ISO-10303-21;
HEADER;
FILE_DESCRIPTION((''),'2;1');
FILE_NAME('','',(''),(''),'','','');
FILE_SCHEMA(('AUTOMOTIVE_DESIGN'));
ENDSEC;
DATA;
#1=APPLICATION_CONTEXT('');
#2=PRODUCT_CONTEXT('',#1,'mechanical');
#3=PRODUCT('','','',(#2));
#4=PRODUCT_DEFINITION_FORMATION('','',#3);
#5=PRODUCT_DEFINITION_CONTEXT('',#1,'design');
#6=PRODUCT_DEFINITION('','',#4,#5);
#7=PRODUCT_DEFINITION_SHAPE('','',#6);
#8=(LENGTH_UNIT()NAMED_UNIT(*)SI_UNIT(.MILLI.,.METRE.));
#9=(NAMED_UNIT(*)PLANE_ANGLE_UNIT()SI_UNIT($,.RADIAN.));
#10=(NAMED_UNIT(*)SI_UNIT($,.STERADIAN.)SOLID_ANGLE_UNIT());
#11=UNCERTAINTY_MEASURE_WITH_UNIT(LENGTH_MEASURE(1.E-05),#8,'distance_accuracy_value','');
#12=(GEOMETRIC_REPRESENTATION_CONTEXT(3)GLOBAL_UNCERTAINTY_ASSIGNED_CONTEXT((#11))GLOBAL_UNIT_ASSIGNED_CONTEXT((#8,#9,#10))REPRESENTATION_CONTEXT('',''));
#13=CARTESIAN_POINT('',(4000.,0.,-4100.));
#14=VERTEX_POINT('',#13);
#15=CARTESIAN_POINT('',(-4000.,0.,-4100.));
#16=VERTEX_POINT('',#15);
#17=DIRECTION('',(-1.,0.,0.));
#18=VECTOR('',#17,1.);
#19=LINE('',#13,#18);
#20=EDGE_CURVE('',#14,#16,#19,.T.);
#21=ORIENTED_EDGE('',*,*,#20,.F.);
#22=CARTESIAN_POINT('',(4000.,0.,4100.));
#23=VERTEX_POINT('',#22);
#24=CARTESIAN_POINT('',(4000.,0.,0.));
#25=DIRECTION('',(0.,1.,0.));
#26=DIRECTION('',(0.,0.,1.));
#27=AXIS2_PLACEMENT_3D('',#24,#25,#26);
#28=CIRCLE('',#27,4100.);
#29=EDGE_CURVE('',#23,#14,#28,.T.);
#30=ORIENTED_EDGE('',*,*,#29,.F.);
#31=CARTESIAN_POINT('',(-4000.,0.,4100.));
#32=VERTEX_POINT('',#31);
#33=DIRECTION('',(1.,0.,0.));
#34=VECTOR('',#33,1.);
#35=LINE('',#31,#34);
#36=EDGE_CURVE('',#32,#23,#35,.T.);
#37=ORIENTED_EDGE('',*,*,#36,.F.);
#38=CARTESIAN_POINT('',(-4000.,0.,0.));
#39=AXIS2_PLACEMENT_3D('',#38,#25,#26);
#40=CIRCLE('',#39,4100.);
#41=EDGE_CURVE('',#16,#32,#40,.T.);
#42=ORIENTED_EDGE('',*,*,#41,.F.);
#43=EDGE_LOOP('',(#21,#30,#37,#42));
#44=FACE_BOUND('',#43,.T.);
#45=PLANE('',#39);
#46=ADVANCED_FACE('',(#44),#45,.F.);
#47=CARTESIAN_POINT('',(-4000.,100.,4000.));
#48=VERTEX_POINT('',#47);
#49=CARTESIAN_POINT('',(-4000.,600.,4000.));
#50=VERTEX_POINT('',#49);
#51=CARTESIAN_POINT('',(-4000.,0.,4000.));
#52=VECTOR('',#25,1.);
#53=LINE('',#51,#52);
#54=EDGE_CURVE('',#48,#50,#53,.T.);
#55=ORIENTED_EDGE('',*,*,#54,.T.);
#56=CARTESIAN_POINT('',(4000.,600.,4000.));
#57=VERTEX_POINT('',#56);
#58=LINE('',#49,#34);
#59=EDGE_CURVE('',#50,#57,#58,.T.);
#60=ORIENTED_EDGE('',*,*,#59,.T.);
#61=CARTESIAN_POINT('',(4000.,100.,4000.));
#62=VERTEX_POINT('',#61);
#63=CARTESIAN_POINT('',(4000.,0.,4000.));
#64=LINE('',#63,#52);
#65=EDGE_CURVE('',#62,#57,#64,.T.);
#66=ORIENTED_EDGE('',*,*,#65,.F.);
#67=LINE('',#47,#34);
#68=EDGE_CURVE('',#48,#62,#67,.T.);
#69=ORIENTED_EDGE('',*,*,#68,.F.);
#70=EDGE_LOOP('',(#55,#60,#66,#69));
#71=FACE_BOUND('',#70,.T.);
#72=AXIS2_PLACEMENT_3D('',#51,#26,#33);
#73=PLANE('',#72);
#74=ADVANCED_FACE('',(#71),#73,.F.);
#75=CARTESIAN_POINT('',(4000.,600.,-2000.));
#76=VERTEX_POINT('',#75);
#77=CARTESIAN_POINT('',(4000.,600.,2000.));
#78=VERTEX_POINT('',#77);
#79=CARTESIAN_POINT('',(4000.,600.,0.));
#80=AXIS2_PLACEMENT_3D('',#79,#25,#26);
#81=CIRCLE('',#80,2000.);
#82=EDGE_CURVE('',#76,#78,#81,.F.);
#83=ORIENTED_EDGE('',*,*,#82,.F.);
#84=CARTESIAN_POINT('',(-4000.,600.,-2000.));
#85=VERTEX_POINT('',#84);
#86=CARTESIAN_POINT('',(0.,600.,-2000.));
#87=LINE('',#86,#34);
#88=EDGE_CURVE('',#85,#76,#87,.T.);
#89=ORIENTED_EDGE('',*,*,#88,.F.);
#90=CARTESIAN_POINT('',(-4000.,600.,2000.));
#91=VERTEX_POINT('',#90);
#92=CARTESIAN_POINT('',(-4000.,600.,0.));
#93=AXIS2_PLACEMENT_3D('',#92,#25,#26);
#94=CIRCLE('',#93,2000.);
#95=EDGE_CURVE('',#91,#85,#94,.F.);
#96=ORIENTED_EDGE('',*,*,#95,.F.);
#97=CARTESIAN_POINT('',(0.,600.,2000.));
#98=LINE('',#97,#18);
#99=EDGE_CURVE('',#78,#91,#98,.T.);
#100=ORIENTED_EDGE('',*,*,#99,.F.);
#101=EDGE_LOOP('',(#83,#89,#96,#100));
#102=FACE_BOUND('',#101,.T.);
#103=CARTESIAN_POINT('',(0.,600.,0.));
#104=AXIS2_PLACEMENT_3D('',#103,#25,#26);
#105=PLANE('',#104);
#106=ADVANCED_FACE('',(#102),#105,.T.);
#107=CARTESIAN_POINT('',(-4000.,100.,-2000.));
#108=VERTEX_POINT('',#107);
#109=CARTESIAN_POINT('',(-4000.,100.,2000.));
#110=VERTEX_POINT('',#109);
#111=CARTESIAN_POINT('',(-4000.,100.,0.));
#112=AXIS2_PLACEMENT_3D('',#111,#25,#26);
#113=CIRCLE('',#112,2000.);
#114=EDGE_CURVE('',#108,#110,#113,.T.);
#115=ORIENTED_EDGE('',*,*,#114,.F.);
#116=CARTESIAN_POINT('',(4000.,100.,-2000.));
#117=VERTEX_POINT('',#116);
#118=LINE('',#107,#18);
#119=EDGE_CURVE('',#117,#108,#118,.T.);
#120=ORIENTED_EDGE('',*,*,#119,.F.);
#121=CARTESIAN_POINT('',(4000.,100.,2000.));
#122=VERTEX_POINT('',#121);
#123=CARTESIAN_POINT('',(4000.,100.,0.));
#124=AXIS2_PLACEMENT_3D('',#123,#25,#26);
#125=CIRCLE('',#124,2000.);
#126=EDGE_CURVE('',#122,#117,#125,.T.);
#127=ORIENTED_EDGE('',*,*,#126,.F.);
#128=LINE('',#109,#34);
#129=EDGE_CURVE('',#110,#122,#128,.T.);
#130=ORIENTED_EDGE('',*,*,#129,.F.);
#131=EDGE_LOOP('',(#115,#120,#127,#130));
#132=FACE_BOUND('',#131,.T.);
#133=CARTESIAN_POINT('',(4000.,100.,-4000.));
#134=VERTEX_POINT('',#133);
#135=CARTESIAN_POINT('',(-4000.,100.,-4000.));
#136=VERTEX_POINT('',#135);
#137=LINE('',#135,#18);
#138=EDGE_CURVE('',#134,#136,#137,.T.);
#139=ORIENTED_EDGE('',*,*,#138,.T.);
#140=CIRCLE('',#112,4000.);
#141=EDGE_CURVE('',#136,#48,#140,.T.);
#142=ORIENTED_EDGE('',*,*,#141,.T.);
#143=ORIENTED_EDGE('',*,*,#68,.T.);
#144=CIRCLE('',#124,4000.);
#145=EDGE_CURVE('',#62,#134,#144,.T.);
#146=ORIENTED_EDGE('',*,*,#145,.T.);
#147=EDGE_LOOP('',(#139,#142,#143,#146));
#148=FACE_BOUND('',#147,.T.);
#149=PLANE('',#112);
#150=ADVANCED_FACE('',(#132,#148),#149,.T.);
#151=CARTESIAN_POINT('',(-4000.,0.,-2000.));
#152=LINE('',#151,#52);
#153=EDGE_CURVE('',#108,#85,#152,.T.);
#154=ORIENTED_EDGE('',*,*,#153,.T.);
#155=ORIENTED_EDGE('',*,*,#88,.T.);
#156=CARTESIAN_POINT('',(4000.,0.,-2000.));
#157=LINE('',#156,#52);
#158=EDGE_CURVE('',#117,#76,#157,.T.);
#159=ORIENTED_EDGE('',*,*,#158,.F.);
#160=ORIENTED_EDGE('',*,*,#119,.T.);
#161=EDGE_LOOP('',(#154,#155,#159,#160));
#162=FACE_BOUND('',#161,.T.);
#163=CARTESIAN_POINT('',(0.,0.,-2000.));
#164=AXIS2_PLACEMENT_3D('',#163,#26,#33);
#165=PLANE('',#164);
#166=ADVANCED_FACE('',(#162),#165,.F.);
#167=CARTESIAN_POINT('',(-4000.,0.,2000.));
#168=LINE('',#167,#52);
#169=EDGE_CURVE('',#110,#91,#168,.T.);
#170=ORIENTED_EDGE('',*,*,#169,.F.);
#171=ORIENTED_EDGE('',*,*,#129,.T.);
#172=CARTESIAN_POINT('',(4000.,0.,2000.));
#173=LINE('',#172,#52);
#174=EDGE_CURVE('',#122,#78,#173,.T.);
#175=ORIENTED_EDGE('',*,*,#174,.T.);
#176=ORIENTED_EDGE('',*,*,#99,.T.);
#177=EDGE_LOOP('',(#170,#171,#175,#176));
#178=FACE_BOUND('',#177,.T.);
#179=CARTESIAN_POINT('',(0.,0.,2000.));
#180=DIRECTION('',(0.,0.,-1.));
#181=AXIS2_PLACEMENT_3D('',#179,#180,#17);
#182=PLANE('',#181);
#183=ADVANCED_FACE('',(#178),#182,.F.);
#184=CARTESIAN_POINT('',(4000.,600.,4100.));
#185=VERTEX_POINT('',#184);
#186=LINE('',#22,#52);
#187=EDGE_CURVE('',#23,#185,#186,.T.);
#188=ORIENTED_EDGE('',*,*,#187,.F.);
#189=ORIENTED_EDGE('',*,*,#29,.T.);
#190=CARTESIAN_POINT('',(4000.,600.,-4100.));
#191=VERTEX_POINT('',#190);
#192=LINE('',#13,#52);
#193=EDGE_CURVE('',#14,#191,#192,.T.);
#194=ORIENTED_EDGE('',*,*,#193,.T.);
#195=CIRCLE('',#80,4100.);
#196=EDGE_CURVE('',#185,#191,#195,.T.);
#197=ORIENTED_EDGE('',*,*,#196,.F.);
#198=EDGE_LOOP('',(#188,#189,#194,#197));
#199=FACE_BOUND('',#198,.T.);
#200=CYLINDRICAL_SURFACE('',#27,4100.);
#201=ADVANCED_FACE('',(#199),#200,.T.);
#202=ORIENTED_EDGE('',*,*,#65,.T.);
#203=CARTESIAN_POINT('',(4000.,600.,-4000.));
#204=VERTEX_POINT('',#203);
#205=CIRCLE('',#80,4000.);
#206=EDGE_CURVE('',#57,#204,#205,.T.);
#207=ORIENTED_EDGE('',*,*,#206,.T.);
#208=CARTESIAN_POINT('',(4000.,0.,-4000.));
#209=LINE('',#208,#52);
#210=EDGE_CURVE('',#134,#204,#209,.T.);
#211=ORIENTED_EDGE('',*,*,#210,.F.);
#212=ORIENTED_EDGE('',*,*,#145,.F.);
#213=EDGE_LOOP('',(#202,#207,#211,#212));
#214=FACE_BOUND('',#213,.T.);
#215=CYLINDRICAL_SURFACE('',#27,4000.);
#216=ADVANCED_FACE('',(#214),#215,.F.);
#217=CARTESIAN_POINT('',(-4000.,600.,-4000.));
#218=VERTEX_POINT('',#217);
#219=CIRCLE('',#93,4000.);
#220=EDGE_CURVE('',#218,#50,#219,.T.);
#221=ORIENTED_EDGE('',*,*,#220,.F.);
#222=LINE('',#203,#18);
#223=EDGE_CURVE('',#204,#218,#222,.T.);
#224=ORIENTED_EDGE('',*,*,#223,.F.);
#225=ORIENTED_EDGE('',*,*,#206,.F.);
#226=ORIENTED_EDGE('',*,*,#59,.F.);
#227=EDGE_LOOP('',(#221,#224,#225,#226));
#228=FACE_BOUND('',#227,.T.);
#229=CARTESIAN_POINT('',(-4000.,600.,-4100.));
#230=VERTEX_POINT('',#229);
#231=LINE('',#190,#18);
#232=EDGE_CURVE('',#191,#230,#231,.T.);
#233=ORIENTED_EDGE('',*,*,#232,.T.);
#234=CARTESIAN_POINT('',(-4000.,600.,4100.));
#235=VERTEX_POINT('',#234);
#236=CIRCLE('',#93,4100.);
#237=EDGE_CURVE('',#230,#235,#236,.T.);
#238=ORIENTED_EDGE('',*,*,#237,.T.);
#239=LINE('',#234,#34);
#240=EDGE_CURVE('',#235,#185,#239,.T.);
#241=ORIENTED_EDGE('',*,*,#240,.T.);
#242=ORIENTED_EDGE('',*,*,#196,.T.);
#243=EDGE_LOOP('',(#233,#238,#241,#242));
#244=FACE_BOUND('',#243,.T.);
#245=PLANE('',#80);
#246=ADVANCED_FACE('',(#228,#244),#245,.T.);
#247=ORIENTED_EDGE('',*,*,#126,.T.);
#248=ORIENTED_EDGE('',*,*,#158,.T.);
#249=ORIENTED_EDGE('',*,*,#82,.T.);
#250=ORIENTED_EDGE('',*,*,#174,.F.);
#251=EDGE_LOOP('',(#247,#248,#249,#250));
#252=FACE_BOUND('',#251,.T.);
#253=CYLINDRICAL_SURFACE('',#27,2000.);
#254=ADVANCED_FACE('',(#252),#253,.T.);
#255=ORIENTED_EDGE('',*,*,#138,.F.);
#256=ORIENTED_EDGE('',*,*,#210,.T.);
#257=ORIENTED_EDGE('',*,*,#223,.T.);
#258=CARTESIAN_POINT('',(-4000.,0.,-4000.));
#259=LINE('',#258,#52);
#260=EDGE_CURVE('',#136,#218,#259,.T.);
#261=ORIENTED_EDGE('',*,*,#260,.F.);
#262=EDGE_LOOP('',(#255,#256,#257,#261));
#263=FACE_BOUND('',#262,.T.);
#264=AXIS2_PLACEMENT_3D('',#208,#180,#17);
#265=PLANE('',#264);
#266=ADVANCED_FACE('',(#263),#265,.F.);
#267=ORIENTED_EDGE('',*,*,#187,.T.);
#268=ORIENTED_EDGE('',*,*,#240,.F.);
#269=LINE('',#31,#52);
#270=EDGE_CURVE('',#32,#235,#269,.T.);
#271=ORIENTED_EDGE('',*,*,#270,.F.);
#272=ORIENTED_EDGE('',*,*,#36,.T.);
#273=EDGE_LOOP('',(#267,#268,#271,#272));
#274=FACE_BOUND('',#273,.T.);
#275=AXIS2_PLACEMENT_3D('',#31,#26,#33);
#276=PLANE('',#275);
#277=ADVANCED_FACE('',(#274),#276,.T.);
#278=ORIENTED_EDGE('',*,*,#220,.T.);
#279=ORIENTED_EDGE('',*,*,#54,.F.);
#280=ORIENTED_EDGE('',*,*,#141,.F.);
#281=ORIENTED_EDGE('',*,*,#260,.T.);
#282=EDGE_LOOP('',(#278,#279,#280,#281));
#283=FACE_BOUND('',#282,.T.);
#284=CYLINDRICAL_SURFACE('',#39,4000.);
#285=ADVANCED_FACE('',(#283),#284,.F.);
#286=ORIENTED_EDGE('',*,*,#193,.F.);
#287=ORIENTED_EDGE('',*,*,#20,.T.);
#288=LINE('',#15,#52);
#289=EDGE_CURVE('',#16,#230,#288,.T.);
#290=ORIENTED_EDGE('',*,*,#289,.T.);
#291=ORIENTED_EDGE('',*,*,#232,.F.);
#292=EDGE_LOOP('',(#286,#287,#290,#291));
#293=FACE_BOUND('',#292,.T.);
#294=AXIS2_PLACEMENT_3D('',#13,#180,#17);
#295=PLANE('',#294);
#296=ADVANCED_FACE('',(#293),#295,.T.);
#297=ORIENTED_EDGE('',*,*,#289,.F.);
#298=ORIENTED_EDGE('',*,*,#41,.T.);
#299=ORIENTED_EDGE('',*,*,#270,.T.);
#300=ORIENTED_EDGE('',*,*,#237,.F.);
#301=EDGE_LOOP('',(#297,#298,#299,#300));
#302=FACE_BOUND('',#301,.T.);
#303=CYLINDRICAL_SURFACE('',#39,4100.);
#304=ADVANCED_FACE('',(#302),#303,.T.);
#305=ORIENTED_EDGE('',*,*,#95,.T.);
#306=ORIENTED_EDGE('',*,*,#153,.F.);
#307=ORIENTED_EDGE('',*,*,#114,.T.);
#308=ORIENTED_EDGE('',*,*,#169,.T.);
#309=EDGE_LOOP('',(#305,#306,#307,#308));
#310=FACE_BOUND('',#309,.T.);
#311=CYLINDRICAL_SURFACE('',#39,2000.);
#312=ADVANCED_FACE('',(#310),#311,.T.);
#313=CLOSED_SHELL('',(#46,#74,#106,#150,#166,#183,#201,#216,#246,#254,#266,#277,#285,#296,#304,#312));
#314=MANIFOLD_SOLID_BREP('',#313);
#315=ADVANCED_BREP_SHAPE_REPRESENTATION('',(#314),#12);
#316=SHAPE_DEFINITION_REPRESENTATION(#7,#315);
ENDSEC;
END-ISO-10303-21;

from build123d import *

# Parameters (mm, degrees)
BOSS_EXTRUDE1_DEPTH      = 100
BOSS_EXTRUDE2_DEPTH      = 500
BOSS_EXTRUDE2_DEPTH_BACK = 100
BOSS_EXTRUDE3_DEPTH      = 500
BOSS_EXTRUDE3_DEPTH_BACK = 100


with BuildPart() as part:
    # Sketch1 → Boss-Extrude1 (new body)
    with BuildSketch(Plane(origin=(0, 0, 0), x_dir=(1, 0, 0), z_dir=(0, 1, 0))):
        with BuildLine():
            Line((-4000, -4000), (4000, -4000))
            ThreePointArc((4000, -4000), (8000, 0), (4000, 4000))
            Line((4000, 4000), (-4000, 4000))
            ThreePointArc((-4000, 4000), (-8000, 0), (-4000, -4000))
        make_face()
        with BuildLine():
            Line((-4000, 2000), (4000, 2000))
            ThreePointArc((4000, 2000), (6000, 0), (4000, -2000))
            Line((4000, -2000), (-4000, -2000))
            ThreePointArc((-4000, -2000), (-6000, 0), (-4000, 2000))
        make_face(mode=Mode.SUBTRACT)
    extrude(amount=BOSS_EXTRUDE1_DEPTH)

    # Sketch2 → Boss-Extrude2 (add, two sides: drawn at the far end of the back side and taken through both)
    with BuildSketch(Plane(origin=(0, 100, 0), x_dir=(1, 0, 0), z_dir=(0, 1, 0)).offset(-BOSS_EXTRUDE2_DEPTH_BACK)):
        with BuildLine():
            Line((4000, 4100), (-4000, 4100))
            ThreePointArc((-4000, 4100), (-8100, 0), (-4000, -4100))
            Line((-4000, -4100), (4000, -4100))
            ThreePointArc((4000, -4100), (8100, 0), (4000, 4100))
        make_face()
        with BuildLine():
            Line((-4000, -4000), (4000, -4000))
            ThreePointArc((4000, -4000), (8000, 0), (4000, 4000))
            Line((4000, 4000), (-4000, 4000))
            ThreePointArc((-4000, 4000), (-8000, 0), (-4000, -4000))
        make_face(mode=Mode.SUBTRACT)
    extrude(amount=BOSS_EXTRUDE2_DEPTH + BOSS_EXTRUDE2_DEPTH_BACK)

    # Sketch3 → Boss-Extrude3 (add, two sides: drawn at the far end of the back side and taken through both)
    # profile 1 of 2: a face of its own
    with BuildSketch(Plane(origin=(0, 100, 0), x_dir=(1, 0, 0), z_dir=(0, 1, 0)).offset(-BOSS_EXTRUDE3_DEPTH_BACK)):
        with BuildLine():
            Line((-4000, 2000), (4000, 2000))
            ThreePointArc((4000, 2000), (6000, 0), (4000, -2000))
            Line((4000, -2000), (-4000, -2000))
            ThreePointArc((-4000, -2000), (-6000, 0), (-4000, 2000))
        make_face()
        with BuildLine():
            ThreePointArc((4000, -1900), (5900, 0), (4000, 1900))
            Line((4000, 1900), (-4000, 1900))
            ThreePointArc((-4000, 1900), (-5900, 0), (-4000, -1900))
            Line((-4000, -1900), (4000, -1900))
        make_face(mode=Mode.SUBTRACT)
    # profile 2 of 2: a face of its own
    with BuildSketch(Plane(origin=(0, 100, 0), x_dir=(1, 0, 0), z_dir=(0, 1, 0)).offset(-BOSS_EXTRUDE3_DEPTH_BACK)):
        with BuildLine():
            Line((4000, 2000), (-4000, 2000))
            ThreePointArc((-4000, 2000), (-6000, 0), (-4000, -2000))
            Line((-4000, -2000), (4000, -2000))
            ThreePointArc((4000, -2000), (6000, 0), (4000, 2000))
        make_face()
    extrude(amount=BOSS_EXTRUDE3_DEPTH + BOSS_EXTRUDE3_DEPTH_BACK)


solid = part.part
